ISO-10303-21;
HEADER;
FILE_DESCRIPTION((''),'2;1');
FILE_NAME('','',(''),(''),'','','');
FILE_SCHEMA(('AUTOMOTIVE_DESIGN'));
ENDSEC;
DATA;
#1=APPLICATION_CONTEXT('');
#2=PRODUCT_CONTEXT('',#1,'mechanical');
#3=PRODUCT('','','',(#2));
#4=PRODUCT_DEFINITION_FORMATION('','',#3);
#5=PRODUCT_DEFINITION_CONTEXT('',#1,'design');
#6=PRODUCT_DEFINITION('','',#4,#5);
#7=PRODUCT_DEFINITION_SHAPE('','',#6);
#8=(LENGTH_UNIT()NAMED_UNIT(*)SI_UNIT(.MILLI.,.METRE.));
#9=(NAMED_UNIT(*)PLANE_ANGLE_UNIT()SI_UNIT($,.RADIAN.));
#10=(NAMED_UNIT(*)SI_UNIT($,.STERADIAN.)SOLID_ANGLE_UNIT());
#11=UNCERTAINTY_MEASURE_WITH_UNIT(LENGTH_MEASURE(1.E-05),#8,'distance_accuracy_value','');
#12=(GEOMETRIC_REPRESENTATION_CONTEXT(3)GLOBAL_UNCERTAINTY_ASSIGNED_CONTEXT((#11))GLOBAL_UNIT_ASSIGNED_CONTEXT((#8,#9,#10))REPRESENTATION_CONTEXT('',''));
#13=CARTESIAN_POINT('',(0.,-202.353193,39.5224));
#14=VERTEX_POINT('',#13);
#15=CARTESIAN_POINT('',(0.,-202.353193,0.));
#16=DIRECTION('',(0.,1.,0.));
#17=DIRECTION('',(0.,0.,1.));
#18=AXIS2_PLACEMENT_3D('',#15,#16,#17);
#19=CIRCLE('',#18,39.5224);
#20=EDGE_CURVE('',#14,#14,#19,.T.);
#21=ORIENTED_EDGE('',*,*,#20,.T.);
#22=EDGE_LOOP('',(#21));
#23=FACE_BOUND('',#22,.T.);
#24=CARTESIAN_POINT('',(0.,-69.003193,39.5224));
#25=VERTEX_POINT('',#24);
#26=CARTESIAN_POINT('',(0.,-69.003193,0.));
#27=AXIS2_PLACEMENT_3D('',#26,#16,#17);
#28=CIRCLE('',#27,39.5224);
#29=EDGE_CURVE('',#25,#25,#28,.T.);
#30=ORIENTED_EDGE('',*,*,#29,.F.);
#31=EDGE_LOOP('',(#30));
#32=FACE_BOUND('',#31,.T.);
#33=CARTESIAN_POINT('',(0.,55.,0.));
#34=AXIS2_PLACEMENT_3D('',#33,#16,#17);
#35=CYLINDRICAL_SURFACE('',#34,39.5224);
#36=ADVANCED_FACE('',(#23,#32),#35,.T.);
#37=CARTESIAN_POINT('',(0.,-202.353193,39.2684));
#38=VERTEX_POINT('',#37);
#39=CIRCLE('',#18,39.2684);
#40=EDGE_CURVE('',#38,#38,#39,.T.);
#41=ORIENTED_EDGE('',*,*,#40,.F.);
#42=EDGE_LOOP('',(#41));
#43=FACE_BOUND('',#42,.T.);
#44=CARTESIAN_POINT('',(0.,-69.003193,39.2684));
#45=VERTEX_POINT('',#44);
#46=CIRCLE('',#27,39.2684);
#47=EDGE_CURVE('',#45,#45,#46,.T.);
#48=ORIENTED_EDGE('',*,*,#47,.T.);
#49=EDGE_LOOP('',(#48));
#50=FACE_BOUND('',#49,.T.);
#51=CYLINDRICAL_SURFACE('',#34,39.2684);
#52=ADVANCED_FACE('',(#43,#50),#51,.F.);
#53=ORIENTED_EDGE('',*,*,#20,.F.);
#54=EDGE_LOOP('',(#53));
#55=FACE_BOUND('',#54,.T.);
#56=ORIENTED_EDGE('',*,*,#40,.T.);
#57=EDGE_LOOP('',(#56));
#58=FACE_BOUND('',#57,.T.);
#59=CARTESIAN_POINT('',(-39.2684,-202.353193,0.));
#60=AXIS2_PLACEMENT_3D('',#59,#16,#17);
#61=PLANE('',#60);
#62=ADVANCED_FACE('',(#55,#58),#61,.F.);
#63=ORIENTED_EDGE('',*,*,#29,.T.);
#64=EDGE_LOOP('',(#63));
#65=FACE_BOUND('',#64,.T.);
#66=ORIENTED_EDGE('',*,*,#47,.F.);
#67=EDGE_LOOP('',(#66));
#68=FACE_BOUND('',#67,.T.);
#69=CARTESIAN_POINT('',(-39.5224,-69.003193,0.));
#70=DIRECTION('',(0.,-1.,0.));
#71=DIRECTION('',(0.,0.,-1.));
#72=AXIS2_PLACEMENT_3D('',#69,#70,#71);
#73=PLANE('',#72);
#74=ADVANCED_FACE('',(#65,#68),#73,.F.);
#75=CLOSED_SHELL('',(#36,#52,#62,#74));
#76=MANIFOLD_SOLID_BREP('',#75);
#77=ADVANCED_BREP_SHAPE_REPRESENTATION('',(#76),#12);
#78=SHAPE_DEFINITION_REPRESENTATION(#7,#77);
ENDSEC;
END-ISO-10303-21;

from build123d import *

# Parameters (mm, degrees)
SKETCH1_W = 0.254
SKETCH1_H = 133.35


with BuildPart() as part:
    # Sketch1 → Revolve-Thin1 (revolve)
    with BuildSketch(Plane.XY):
        with Locations((-39.3954, -135.67819341)):
            Rectangle(SKETCH1_W, SKETCH1_H)
    revolve(axis=Axis((0, 55, 0), (0, -1, 0)))


solid = part.part
